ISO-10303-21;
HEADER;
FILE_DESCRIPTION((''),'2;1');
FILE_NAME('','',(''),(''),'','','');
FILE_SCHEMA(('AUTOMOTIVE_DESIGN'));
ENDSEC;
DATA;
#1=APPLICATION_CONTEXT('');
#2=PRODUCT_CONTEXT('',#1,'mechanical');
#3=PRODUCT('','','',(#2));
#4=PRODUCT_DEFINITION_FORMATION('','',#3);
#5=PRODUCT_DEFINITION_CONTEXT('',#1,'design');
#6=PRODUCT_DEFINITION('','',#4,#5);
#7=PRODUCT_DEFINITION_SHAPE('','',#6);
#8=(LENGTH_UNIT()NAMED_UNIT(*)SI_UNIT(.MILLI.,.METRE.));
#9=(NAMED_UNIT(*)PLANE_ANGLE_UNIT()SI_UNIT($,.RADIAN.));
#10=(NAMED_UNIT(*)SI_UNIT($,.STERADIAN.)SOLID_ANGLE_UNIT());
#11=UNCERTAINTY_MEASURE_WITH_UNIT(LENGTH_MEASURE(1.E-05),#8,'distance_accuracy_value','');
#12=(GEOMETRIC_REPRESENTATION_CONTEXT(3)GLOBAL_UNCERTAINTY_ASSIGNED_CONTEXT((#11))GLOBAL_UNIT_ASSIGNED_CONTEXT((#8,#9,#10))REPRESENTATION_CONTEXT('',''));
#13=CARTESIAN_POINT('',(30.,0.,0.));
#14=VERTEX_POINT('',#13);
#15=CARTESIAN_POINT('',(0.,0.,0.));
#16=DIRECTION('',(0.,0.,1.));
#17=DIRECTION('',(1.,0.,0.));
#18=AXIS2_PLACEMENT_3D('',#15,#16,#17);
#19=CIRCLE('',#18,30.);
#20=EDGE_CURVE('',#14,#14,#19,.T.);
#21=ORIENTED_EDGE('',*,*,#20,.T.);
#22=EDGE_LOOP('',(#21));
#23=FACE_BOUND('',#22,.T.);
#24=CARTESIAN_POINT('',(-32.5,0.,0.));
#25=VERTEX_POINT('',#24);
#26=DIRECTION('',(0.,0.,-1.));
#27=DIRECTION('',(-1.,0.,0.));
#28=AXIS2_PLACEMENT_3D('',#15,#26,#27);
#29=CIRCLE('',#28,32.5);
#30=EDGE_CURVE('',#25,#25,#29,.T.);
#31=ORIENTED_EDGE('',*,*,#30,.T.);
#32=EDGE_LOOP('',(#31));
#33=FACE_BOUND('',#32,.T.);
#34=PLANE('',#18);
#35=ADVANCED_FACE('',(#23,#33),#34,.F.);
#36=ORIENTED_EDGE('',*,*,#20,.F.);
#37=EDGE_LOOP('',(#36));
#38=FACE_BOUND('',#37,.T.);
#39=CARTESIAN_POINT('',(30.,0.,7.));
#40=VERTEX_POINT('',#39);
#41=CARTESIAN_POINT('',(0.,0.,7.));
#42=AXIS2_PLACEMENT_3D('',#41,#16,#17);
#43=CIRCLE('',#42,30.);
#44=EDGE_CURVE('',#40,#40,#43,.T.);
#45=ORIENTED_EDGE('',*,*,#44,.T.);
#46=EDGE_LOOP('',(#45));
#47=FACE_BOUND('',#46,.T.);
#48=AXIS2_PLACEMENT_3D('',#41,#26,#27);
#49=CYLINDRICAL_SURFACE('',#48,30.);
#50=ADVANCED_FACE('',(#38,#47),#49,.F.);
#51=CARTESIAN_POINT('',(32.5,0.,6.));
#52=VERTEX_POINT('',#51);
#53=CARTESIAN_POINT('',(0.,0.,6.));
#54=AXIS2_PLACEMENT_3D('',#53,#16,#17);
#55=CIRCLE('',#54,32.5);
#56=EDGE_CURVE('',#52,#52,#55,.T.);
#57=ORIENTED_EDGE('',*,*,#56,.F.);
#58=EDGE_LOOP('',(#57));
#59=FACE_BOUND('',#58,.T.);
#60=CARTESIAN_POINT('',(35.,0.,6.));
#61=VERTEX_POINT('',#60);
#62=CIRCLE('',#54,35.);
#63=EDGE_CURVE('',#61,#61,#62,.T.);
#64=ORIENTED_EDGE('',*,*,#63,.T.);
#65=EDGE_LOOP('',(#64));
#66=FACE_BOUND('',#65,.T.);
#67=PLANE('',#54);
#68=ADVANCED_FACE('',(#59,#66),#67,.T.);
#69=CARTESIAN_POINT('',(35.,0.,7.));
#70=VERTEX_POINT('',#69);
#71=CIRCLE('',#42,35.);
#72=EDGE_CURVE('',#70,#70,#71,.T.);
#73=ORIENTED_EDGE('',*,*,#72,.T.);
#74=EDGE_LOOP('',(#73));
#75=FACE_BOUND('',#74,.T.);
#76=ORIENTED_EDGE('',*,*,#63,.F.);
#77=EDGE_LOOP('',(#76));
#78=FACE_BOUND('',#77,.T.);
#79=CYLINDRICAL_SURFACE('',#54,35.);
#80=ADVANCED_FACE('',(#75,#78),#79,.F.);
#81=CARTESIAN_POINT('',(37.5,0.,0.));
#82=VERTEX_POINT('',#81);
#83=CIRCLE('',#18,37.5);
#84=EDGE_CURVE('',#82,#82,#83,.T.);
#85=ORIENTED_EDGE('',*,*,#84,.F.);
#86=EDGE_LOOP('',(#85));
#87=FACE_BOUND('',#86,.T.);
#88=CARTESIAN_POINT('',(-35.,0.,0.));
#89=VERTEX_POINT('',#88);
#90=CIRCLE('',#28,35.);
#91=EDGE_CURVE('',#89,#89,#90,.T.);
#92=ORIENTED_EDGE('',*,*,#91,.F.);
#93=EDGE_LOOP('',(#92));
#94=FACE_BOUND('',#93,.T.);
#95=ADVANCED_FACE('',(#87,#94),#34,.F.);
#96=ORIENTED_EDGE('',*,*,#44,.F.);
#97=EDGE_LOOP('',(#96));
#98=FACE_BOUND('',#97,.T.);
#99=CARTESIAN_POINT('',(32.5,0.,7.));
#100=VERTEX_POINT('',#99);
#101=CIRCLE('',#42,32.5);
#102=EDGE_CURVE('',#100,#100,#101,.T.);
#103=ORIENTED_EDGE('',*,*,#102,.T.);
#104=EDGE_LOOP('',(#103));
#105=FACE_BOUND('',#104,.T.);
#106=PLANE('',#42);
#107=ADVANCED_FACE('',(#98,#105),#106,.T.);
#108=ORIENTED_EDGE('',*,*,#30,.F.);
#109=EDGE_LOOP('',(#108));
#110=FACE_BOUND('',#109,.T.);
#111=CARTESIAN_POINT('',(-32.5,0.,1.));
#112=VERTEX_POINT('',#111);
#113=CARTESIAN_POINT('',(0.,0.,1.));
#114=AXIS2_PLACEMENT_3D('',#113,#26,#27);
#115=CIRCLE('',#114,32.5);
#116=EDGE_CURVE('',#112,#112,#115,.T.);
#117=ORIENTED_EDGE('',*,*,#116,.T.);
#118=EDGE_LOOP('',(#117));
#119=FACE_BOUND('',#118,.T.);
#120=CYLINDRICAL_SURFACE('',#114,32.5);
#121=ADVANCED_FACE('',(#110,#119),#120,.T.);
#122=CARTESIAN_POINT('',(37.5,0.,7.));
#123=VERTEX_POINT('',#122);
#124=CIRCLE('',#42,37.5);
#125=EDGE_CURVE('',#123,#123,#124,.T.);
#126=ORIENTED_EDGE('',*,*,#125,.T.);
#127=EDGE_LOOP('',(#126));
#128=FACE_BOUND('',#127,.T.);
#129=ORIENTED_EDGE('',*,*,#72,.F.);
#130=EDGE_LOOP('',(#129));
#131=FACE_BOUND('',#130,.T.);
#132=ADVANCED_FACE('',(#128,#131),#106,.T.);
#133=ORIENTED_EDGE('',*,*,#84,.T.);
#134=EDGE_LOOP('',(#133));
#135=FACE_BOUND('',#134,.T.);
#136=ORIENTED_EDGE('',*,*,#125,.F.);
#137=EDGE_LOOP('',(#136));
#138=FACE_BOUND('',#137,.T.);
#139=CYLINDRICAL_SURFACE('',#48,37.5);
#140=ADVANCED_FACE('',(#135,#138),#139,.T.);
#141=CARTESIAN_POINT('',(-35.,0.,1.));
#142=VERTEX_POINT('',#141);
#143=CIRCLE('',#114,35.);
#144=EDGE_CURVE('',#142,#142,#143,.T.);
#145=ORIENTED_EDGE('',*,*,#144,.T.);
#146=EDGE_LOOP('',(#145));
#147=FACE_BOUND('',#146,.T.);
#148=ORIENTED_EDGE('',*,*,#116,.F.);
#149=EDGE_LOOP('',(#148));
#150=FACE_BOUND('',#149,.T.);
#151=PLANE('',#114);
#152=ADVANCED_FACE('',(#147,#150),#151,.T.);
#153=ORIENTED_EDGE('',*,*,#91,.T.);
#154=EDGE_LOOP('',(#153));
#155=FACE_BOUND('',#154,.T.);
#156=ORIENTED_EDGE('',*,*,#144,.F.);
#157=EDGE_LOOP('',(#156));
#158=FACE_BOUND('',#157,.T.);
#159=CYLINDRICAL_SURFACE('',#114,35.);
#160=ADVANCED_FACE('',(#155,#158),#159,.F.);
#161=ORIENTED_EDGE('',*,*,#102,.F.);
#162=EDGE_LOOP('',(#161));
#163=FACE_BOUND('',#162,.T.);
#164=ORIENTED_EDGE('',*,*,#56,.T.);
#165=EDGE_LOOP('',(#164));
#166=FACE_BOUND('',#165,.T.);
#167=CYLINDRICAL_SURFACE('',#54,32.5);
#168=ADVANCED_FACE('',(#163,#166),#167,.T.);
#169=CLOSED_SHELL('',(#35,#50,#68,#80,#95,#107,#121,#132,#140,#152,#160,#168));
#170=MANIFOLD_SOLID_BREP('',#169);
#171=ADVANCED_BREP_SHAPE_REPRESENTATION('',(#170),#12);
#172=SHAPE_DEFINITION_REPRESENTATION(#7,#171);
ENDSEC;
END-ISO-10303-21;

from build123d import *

# Parameters (mm, degrees)
SKETCH_1_R          = 37.5
SKETCH_1_R_2        = 30
EXTRUDE_1_DEPTH     = 7
SKETCH_2_R          = 35
SKETCH_2_R_2        = 32.5
CUT_EXTRUDE_1_DEPTH = 1
CUT_EXTRUDE_START   = -1
SKETCH_3_R          = 35
SKETCH_3_R_2        = 32.5
CUT_EXTRUDE_2_DEPTH = 1


with BuildPart() as part:
    # 草图1 → 凸台-拉伸1 (new body)
    with BuildSketch(Plane.XY):
        Circle(SKETCH_1_R)
        Circle(SKETCH_1_R_2, mode=Mode.SUBTRACT)
    extrude(amount=EXTRUDE_1_DEPTH)

    # 草图2 → 切除-拉伸1 (cut)
    with BuildSketch(Plane.XY.offset(7)):
        Circle(SKETCH_2_R)
        Circle(SKETCH_2_R_2, mode=Mode.SUBTRACT)
    extrude(amount=-CUT_EXTRUDE_1_DEPTH, mode=Mode.SUBTRACT)

    # 草图3 → 切除-拉伸2 (cut)
    with BuildSketch(Plane(origin=(0, 0, 0), x_dir=(-1, 0, 0), z_dir=(0, 0, -1)).offset(CUT_EXTRUDE_START)):
        with Locations(Location((0, 0, 0), (0, 0, 180))):
            Circle(SKETCH_3_R)
        with Locations(Location((0, 0, 0), (0, 0, 180))):
            Circle(SKETCH_3_R_2, mode=Mode.SUBTRACT)
    extrude(amount=CUT_EXTRUDE_2_DEPTH, mode=Mode.SUBTRACT)


solid = part.part
